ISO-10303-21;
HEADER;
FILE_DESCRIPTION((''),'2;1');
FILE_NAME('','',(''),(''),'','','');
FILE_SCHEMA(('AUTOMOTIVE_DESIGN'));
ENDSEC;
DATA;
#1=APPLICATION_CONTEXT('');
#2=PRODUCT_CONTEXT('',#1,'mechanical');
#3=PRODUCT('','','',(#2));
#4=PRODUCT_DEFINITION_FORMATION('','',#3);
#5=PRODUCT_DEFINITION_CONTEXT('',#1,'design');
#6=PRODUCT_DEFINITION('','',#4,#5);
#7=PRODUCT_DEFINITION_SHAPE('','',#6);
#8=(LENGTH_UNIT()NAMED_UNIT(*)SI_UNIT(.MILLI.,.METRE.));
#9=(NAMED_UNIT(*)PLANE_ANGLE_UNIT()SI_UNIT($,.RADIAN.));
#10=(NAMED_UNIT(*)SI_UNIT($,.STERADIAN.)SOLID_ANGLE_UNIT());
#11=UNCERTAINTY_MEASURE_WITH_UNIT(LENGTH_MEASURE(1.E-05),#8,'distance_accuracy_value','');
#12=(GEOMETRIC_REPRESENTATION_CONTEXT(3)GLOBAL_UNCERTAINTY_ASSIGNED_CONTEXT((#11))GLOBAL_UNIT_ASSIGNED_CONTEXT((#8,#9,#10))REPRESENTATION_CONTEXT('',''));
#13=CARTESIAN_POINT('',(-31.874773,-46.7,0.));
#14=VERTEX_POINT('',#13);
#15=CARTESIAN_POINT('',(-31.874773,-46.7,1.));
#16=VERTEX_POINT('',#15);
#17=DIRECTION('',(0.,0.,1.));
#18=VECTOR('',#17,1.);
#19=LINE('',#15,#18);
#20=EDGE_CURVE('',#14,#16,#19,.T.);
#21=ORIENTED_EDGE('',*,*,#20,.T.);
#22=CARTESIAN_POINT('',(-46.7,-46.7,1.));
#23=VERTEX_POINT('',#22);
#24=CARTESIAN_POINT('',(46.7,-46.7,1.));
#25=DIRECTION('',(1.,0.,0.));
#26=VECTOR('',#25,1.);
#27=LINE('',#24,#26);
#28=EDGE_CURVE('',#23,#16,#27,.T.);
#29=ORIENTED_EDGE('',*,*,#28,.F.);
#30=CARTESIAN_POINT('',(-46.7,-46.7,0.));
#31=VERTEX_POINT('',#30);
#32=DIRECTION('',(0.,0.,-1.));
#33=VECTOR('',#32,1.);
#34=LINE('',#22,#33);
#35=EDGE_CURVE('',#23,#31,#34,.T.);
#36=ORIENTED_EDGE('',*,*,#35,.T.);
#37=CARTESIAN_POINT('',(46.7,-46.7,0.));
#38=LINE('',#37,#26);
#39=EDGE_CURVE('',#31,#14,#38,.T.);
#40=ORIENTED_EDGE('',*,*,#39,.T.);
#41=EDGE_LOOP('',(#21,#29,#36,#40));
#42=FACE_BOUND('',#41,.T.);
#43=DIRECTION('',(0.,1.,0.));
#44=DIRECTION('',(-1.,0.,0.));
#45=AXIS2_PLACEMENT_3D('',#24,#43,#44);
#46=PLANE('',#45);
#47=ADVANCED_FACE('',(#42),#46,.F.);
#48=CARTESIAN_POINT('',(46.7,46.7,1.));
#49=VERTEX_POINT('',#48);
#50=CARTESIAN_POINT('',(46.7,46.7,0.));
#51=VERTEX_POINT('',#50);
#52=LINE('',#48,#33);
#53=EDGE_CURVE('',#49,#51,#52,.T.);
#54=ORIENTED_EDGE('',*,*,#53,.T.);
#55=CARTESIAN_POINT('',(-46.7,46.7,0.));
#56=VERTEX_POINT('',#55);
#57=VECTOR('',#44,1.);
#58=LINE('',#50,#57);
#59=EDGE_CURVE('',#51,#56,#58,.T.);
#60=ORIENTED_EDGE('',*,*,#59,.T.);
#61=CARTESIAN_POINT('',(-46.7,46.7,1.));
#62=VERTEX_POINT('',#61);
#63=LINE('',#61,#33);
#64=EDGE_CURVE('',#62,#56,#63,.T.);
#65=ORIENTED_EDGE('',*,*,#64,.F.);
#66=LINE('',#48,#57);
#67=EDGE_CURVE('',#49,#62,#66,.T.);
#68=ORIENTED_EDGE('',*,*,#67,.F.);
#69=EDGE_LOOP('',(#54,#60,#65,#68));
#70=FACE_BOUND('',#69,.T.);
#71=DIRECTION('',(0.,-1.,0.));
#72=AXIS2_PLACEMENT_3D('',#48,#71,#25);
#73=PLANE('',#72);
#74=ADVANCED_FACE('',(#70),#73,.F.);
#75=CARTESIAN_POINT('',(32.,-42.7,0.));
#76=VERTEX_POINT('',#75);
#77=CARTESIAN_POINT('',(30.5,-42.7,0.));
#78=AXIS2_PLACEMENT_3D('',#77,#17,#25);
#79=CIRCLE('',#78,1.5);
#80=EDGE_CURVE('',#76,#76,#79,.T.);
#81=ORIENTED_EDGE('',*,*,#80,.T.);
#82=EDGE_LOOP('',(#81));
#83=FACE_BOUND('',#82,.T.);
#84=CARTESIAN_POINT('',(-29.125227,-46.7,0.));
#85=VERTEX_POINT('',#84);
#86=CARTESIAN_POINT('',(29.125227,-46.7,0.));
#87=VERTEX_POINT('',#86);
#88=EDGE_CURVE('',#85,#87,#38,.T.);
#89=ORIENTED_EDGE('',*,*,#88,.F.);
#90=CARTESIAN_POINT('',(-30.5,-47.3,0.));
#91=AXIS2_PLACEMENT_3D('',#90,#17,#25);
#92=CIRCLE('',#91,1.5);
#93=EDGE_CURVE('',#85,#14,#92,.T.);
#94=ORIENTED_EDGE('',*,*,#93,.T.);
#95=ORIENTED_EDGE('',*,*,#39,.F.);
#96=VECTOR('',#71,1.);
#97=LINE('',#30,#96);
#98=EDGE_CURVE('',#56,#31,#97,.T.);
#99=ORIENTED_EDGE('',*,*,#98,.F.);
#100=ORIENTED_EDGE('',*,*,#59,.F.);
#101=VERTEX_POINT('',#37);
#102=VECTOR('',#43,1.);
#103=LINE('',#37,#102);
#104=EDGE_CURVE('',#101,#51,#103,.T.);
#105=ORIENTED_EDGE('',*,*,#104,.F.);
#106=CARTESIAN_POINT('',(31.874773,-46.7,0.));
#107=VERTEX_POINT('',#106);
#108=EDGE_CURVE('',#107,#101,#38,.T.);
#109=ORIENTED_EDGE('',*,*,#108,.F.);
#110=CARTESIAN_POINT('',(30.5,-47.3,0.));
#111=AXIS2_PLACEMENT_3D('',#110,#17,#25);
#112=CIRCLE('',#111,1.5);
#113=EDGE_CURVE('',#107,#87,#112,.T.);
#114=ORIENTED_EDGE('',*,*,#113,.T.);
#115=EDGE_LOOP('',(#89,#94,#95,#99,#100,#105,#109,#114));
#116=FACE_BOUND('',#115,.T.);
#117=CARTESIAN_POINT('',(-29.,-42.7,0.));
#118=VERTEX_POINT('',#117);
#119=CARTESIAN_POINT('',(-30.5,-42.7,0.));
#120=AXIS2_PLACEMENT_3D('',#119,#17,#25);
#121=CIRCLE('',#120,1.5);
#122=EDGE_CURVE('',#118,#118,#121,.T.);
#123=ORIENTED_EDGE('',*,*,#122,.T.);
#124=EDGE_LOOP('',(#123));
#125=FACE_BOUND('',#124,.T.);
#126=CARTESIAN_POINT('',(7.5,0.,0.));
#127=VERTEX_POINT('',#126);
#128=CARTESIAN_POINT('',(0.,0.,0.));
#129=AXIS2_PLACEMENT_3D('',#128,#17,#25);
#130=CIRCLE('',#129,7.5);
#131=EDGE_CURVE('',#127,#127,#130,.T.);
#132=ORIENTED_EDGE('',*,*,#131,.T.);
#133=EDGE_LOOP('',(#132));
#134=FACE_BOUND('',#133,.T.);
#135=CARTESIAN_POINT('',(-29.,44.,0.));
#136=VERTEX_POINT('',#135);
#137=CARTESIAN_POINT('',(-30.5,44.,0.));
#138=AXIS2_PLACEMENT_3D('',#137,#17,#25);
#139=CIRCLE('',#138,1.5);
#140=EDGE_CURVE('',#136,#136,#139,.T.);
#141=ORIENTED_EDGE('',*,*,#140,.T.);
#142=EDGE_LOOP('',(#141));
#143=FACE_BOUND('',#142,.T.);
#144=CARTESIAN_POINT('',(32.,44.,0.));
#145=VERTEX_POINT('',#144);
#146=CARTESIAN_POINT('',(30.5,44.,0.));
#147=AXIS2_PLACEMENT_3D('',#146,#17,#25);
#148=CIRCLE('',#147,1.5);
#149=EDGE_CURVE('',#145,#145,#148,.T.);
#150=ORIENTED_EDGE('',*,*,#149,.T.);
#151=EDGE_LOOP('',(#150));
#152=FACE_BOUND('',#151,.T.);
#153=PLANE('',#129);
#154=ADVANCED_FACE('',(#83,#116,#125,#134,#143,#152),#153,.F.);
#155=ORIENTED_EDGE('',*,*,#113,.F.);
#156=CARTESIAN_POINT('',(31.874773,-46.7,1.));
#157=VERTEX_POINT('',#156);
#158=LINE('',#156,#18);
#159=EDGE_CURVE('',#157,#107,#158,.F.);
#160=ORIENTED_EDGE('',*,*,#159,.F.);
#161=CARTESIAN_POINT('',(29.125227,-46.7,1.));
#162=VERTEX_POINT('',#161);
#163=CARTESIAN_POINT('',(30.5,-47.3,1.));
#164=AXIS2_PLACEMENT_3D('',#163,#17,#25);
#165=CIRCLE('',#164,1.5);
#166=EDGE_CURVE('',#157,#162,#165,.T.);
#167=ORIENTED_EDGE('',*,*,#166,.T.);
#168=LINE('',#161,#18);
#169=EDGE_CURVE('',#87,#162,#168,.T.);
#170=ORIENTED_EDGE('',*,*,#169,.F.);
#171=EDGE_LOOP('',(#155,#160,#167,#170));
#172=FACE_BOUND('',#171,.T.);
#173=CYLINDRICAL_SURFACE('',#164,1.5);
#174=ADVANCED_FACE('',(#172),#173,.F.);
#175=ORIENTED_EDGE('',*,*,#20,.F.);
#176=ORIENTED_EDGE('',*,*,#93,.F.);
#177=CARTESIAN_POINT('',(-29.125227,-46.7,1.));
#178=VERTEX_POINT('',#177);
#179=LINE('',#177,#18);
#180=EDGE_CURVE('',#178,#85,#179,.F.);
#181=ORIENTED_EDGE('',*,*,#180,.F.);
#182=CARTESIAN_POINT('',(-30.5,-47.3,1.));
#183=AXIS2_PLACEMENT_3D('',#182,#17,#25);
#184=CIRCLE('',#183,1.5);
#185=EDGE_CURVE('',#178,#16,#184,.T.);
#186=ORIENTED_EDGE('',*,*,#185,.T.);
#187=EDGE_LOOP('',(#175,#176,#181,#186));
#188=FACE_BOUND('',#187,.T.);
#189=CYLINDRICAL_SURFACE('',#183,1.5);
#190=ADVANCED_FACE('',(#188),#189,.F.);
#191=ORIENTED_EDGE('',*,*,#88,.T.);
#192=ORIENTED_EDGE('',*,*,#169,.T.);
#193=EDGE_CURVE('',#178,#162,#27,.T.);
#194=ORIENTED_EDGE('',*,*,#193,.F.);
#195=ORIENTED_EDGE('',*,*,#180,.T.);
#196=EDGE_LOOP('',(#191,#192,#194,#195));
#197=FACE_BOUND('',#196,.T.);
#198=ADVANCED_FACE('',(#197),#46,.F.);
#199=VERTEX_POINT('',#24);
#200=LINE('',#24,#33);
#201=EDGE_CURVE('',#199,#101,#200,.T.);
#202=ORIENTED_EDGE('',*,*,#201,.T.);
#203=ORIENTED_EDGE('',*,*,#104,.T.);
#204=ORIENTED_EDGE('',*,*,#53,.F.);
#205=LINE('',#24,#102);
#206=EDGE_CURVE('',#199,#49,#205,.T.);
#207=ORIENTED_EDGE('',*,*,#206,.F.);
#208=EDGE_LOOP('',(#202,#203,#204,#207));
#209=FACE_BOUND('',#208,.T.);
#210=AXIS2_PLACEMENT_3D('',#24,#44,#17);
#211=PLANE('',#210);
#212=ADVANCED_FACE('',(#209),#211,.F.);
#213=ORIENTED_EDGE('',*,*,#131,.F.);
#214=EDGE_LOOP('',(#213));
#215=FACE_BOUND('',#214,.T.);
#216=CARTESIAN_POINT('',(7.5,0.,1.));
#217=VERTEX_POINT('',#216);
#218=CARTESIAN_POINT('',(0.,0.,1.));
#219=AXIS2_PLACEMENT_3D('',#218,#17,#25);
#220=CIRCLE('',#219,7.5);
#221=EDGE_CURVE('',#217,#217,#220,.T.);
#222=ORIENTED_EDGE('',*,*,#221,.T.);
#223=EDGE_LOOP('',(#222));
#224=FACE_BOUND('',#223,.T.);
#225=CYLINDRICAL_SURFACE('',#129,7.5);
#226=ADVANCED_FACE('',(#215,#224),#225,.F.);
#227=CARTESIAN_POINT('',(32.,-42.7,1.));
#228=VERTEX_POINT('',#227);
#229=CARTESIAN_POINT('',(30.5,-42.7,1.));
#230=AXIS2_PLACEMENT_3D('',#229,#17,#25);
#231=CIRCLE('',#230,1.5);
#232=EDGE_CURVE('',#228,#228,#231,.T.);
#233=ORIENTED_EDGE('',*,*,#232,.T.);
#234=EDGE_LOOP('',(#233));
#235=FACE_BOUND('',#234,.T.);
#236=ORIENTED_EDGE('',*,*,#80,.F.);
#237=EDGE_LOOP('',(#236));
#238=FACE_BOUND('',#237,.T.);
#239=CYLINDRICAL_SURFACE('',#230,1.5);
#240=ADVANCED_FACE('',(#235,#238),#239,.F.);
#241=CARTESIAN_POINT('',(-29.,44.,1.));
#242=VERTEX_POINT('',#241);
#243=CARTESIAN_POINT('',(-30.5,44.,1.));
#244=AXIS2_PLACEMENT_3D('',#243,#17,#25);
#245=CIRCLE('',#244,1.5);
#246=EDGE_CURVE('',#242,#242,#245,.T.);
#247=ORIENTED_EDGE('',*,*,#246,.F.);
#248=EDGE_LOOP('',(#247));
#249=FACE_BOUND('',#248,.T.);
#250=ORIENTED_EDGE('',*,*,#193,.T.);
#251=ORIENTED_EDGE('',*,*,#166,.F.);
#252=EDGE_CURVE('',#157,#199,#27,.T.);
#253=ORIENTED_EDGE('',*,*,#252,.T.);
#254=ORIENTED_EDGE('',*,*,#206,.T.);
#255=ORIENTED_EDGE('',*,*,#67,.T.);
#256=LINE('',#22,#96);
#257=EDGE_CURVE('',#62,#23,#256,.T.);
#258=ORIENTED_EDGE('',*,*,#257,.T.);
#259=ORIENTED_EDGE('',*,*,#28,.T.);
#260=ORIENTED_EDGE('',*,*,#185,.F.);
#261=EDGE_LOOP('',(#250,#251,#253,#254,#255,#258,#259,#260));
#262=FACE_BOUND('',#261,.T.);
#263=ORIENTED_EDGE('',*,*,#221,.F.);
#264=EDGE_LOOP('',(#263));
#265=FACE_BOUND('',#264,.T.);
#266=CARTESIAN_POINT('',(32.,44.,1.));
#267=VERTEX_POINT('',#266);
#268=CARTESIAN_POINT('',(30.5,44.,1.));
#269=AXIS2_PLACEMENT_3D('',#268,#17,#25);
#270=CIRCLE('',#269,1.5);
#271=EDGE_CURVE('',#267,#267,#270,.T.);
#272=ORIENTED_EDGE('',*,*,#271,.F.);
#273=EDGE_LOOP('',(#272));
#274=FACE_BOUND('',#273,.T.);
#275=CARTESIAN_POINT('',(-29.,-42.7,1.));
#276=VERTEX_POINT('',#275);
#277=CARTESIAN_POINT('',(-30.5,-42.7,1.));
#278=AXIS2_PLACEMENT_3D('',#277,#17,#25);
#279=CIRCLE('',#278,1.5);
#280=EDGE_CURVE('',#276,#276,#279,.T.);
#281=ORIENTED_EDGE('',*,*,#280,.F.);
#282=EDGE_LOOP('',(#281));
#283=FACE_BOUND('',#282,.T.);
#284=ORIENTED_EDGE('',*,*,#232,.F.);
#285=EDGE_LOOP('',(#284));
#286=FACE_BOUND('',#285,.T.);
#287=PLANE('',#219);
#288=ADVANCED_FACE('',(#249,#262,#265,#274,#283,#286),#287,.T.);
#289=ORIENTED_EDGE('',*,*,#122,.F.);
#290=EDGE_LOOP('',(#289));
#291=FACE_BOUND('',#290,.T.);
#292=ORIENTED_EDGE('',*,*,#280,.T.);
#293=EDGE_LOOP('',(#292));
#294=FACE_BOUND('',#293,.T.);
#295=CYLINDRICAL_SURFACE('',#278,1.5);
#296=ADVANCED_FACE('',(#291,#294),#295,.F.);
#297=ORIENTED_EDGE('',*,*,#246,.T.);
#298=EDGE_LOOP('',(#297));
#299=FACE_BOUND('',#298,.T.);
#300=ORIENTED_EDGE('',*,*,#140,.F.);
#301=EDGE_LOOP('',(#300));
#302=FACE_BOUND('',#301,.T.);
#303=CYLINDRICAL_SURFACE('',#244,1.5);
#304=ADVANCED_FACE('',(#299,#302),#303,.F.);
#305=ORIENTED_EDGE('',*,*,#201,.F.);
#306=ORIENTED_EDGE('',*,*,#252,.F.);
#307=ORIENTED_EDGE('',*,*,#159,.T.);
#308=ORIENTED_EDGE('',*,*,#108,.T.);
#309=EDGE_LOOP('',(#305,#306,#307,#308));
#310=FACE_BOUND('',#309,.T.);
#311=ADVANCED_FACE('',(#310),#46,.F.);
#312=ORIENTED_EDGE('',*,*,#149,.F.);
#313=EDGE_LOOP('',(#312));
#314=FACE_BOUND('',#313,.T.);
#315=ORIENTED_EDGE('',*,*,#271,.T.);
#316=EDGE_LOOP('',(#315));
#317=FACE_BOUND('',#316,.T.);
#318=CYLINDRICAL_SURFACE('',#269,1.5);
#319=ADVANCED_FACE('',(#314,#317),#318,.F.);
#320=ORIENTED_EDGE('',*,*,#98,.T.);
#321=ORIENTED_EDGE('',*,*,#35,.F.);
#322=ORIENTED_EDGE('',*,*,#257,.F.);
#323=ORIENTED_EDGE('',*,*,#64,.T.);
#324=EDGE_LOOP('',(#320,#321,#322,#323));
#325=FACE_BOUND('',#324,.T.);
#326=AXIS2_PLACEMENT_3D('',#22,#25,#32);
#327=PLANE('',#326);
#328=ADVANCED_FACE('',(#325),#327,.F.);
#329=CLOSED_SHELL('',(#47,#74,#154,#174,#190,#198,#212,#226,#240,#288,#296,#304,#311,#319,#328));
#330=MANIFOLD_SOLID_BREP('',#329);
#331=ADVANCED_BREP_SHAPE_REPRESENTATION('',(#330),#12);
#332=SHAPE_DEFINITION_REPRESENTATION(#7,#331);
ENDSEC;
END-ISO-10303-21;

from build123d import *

# Parameters (mm, degrees)
SKETCH1_W                    = 93.4
SKETCH1_H                    = 93.4
BOSS_EXTRUDE1_DEPTH          = 1
F_3_0_3_DIAMETER_HOLE1_D     = 3
F_3_0_3_DIAMETER_HOLE1_DEPTH = 1
SKETCH_1_R                   = 7.5
CUT_EXTRUDE_1_DEPTH          = 67.051343665


with BuildPart() as part:
    # Sketch1 → Boss-Extrude1 (new body)
    with BuildSketch(Plane.XY):
        Rectangle(SKETCH1_W, SKETCH1_H)
    extrude(amount=BOSS_EXTRUDE1_DEPTH)

    # Ø3.0 (3) Diameter Hole1
    with Locations(Plane.XY.offset(1)):
        with Locations((-30.5, -47.3), (30.5, -47.3), (30.5, -42.7), (-30.5, -42.7), (-30.5, 44), (30.5, 44), (-30.5, -66), (30.5, -66)):
            Hole(F_3_0_3_DIAMETER_HOLE1_D / 2, depth=F_3_0_3_DIAMETER_HOLE1_DEPTH)

    # Эскиз1 → Вырез-Вытянуть1 (cut, through all)
    with BuildSketch(Plane.XY.offset(1)):
        Circle(SKETCH_1_R)
    extrude(amount=-CUT_EXTRUDE_1_DEPTH, mode=Mode.SUBTRACT)


solid = part.part
